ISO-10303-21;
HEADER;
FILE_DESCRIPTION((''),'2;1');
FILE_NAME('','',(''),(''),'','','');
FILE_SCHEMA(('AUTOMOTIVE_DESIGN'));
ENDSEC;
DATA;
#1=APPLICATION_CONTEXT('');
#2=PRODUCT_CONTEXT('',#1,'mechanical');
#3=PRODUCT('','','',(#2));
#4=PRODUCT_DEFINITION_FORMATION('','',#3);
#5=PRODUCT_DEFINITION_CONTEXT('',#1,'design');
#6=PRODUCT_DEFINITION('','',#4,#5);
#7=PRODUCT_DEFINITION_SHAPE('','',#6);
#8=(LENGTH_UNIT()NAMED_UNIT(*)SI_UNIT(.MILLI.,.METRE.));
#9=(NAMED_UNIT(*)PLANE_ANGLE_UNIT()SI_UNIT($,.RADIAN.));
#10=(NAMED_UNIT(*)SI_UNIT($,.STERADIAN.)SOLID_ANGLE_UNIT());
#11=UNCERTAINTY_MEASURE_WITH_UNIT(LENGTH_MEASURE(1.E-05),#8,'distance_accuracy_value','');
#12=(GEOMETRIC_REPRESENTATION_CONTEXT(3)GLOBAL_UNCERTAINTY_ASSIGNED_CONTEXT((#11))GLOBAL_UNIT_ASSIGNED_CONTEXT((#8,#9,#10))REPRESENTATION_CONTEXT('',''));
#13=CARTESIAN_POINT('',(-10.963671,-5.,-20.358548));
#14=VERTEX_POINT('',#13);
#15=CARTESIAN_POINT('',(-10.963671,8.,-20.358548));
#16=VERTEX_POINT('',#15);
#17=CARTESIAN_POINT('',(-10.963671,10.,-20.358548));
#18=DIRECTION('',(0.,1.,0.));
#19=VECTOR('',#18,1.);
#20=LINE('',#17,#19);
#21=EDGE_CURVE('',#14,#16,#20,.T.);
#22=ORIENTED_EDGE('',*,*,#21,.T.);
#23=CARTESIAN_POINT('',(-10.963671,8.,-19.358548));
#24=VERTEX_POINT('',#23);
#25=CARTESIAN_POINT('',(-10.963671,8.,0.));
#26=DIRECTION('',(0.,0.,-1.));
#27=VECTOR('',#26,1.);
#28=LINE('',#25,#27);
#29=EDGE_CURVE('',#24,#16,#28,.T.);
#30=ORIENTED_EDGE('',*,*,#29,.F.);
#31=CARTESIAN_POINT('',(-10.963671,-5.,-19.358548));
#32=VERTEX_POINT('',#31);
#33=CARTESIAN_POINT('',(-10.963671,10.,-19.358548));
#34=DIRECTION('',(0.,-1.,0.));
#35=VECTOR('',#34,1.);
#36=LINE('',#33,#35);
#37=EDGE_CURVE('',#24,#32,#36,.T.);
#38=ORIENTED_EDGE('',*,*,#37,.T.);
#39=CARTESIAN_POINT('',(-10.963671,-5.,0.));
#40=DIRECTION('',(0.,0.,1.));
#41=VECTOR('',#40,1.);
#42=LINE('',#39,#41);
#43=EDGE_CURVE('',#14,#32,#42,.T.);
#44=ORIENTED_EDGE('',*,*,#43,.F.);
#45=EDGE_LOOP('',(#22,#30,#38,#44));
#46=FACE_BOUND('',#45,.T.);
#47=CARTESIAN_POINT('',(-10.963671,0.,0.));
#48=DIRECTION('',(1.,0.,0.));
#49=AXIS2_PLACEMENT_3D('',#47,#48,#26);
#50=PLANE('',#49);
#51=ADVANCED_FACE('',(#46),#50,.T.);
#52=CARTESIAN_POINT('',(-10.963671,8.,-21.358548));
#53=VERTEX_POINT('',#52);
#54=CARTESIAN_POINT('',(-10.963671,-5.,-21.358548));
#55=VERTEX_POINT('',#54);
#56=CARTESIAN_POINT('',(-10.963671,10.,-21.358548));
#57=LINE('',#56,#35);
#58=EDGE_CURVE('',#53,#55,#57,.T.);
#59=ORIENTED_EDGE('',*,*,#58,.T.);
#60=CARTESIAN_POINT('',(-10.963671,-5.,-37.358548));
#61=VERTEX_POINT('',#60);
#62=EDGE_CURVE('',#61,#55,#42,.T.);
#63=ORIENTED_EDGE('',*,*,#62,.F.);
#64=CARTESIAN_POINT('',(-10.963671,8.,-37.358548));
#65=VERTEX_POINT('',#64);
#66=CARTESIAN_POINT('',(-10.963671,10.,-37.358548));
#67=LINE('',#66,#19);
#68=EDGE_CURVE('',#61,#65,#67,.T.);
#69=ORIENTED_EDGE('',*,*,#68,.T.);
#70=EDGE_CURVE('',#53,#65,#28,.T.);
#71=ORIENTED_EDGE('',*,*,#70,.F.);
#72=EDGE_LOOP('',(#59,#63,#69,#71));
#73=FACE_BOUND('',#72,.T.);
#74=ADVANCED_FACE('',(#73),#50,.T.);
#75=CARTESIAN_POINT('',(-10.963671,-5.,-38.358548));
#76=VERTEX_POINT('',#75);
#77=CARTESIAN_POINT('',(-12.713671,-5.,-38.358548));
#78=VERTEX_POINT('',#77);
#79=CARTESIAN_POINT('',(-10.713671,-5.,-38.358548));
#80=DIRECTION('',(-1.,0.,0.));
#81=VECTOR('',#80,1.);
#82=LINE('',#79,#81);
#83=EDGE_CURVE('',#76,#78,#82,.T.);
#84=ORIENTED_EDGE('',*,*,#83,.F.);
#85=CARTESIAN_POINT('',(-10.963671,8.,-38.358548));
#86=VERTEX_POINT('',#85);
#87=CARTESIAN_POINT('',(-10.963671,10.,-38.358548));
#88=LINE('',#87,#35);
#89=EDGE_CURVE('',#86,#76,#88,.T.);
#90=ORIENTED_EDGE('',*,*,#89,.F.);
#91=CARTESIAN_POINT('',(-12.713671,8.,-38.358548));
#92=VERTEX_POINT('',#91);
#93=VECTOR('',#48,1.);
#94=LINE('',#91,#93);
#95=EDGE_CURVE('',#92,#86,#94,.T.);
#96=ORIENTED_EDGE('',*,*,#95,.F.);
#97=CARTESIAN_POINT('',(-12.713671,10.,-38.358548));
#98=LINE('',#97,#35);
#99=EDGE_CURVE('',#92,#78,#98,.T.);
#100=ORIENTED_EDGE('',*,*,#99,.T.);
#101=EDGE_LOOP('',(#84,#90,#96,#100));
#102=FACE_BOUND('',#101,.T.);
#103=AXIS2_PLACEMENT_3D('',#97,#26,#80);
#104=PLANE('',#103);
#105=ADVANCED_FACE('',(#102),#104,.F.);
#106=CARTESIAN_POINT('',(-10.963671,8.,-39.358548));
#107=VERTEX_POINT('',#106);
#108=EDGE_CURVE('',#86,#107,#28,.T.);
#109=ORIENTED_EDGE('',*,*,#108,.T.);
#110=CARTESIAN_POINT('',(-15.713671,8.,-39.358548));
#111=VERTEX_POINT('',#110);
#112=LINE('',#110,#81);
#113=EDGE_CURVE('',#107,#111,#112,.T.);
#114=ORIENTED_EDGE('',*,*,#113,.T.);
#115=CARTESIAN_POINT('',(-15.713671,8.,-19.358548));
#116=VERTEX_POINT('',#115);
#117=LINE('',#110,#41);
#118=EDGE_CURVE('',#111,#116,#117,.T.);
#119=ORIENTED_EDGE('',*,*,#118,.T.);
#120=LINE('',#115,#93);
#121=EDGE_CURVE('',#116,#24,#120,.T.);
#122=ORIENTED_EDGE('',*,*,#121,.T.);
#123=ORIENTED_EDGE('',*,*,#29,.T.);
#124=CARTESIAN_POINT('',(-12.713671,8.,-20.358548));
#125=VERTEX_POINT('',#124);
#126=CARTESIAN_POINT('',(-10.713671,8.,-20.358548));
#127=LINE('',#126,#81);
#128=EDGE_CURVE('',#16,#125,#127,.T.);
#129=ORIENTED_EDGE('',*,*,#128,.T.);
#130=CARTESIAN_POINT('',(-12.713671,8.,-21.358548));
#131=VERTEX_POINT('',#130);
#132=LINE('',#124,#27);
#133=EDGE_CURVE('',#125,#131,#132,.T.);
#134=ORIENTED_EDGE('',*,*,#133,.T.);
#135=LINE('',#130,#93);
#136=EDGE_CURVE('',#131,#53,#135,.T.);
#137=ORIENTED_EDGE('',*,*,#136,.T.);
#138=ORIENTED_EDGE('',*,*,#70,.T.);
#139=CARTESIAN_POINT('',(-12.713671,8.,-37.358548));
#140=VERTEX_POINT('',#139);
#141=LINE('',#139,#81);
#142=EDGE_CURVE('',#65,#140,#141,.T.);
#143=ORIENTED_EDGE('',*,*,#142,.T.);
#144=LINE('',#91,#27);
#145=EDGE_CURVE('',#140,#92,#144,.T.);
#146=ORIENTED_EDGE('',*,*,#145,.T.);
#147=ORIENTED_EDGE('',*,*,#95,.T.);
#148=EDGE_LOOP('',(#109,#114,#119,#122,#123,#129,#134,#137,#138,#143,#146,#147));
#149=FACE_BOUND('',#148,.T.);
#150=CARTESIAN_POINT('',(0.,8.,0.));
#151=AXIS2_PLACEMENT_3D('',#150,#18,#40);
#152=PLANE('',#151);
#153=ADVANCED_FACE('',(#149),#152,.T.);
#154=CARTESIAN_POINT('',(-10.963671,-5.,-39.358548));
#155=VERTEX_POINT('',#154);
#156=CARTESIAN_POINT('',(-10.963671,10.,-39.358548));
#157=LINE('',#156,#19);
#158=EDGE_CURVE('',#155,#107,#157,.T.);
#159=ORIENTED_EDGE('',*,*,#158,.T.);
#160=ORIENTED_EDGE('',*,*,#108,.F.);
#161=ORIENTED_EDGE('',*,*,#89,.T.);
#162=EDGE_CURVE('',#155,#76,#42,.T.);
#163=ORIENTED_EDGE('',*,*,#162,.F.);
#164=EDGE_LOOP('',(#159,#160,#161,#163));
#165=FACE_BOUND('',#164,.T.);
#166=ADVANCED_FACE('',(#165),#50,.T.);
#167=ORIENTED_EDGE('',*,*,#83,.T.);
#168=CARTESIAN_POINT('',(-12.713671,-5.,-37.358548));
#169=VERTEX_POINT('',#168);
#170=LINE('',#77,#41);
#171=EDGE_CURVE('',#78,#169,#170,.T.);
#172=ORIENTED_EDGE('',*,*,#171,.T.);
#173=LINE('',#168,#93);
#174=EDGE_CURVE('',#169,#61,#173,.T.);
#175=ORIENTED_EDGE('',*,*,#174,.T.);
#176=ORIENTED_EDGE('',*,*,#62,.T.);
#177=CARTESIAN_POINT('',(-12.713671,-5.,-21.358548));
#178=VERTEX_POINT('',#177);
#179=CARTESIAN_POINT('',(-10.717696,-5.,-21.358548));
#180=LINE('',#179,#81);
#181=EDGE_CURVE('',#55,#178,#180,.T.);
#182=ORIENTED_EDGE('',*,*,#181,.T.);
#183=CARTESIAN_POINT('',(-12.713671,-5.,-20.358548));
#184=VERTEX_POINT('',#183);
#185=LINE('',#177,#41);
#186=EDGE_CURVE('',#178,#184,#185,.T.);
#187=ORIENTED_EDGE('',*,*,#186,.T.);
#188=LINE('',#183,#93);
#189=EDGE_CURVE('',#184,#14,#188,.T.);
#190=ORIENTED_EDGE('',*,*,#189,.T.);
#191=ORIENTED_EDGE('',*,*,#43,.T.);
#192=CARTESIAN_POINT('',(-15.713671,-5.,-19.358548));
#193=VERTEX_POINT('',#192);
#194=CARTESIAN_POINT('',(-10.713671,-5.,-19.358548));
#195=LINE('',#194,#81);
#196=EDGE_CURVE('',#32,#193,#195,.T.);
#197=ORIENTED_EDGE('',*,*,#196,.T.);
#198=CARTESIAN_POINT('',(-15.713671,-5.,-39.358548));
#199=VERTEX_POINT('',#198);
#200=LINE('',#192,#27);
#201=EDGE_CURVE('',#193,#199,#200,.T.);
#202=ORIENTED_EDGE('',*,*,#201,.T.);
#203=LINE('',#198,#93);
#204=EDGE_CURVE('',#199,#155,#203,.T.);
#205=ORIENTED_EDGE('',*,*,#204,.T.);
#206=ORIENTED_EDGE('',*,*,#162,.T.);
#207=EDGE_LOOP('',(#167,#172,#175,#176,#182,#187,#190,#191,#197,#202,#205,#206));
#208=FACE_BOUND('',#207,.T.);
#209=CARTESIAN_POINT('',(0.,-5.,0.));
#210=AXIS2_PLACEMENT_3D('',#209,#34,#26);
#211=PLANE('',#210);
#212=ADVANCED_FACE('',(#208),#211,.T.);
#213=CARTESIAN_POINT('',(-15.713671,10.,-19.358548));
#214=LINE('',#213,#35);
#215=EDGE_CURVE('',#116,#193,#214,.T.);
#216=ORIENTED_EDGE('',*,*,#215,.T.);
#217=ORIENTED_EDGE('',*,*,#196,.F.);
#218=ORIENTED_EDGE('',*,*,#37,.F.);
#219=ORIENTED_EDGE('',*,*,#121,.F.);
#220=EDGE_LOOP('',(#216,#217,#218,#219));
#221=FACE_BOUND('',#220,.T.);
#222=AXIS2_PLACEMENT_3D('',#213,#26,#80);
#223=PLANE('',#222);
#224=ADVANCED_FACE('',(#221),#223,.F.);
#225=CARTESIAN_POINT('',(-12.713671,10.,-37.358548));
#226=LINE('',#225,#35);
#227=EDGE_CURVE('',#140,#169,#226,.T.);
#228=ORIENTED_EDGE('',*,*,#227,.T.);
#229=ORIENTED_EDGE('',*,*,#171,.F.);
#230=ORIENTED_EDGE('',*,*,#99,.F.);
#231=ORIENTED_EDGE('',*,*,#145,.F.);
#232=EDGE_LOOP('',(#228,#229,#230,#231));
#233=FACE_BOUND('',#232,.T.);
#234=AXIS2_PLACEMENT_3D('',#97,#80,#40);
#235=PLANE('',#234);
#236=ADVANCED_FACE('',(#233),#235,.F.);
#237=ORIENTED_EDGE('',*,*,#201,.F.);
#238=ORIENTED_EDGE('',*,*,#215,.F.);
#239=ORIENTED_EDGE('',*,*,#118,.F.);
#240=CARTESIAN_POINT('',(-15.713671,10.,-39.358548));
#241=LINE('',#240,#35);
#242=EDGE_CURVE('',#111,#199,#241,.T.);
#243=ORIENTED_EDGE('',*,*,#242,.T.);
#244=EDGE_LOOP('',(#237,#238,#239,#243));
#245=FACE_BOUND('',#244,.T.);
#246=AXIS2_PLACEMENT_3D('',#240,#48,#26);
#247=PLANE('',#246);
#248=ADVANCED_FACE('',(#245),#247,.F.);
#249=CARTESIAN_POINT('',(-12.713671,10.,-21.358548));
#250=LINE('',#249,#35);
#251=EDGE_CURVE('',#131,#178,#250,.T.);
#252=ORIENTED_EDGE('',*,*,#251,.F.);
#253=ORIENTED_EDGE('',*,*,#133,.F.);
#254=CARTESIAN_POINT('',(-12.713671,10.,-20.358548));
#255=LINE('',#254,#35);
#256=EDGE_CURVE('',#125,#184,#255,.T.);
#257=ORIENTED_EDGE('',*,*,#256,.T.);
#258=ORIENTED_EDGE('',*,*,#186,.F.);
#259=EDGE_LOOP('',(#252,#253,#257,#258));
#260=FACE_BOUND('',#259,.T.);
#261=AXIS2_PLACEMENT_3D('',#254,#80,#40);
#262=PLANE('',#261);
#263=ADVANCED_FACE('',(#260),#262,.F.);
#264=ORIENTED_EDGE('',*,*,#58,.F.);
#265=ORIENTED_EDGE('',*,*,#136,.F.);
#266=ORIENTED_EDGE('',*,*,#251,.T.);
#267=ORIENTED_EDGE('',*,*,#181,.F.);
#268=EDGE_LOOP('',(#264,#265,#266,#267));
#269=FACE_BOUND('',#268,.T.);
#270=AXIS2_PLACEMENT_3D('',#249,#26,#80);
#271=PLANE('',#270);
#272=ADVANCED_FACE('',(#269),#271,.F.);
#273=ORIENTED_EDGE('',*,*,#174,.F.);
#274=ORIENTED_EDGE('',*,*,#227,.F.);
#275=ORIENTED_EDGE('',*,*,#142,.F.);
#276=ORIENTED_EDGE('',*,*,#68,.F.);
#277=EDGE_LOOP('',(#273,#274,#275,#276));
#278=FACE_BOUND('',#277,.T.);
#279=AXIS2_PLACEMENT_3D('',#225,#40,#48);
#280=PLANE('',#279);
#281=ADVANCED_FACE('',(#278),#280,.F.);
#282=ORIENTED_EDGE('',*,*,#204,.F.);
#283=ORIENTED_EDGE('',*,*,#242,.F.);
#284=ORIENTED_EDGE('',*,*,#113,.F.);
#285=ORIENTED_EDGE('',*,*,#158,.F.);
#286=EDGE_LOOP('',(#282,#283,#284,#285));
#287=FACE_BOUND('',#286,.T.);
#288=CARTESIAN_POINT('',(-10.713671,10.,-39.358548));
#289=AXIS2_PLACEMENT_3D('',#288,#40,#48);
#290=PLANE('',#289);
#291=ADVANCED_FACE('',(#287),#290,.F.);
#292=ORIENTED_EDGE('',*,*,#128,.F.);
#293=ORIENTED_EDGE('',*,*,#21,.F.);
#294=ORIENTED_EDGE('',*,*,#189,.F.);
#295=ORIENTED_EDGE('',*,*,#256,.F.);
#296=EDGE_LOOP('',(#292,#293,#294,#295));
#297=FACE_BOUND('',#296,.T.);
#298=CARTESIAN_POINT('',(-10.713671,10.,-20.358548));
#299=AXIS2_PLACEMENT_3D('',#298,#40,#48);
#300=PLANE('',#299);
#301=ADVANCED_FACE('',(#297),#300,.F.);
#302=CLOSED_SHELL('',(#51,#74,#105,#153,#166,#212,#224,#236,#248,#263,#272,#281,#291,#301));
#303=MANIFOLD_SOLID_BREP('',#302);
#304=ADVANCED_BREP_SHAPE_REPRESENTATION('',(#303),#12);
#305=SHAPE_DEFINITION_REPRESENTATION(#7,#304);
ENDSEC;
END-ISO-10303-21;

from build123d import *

# Parameters (mm, degrees)
SALIENTE_EXTRUIR3_DEPTH = 10
CROQUIS4_W              = 20
CROQUIS4_H              = 5
SALIENTE_EXTRUIR4_DEPTH = 10
CROQUIS5_W              = 5
CROQUIS5_H              = 5
SALIENTE_EXTRUIR5_DEPTH = 20
CORTAR_EXTRUIR1_DEPTH   = 2
CROQUIS8_W              = 20
CROQUIS8_H              = 5
CORTAR_EXTRUIR2_DEPTH   = 2
CROQUIS9_W              = 5
CROQUIS9_H              = 20
CORTAR_EXTRUIR3_DEPTH   = 2
CROQUIS10_W             = 20
CROQUIS10_H             = 5
CORTAR_EXTRUIR5_DEPTH   = 35
SALIENTE_EXTRUIR6_DEPTH = 5
CROQUIS12_W             = 26.103344273
CROQUIS12_H             = 18.453448341
CORTAR_EXTRUIR6_DEPTH   = 0.25


with BuildPart() as part:
    # Croquis1 → Saliente-Extruir3 (new body)
    with BuildSketch(Plane(origin=(0, 0, 0), x_dir=(1, 0, 0), z_dir=(0, 1, 0))):
        Polygon((-12.713671106, 38.358548308), (-10.713671106, 38.358548308), (-10.713671106, 39.358548308), (-15.713671106, 39.358548308), (-15.713671106, 19.358548308), (-10.713671106, 19.358548308), (-10.713671106, 20.358548308), (-12.713671106, 20.358548308), (-12.713671106, 21.358548308), (-10.718625385, 21.358548308), (-10.718625385, 37.358548308), (-12.713671106, 37.358548308), align=None)
    extrude(amount=SALIENTE_EXTRUIR3_DEPTH)



with BuildPart() as body_2:
    # Croquis4 → Saliente-Extruir4 (new body)
    with BuildSketch(Plane(origin=(-10.713671106, 0, 0), x_dir=(0, 0, -1), z_dir=(1, 0, 0))):
        with Locations((29.358548308, -2.5)):
            Rectangle(CROQUIS4_W, CROQUIS4_H)
    extrude(amount=SALIENTE_EXTRUIR4_DEPTH)


with BuildPart() as part_1:
    add(part.part)

    add(body_2.part)  # Saliente-Extruir5 merges body 2
    # Croquis5 → Saliente-Extruir5 (add)
    with BuildSketch(Plane.XY.offset(-19.358548308)):
        with Locations((-13.213671106, -2.5)):
            Rectangle(CROQUIS5_W, CROQUIS5_H)
    extrude(amount=-SALIENTE_EXTRUIR5_DEPTH)

    # Croquis7 → Cortar-Extruir1 (cut)
    with BuildSketch(Plane(origin=(0, 0, 0), x_dir=(1, 0, 0), z_dir=(0, 1, 0))):
        Polygon((-10.714909676, 37.358548308), (-0.713671106, 37.358548308), (-0.713671106, 38.358548308), (-10.713671106, 38.358548308), (-12.713671106, 38.358548308), (-12.713671106, 37.358548308), align=None)
        Polygon((-10.713671106, 20.358548308), (-0.713671106, 20.358548308), (-0.713671106, 21.358548308), (-10.714909676, 21.358548308), (-12.713671106, 21.358548308), (-12.713671106, 20.358548308), align=None)
    extrude(amount=-CORTAR_EXTRUIR1_DEPTH, mode=Mode.SUBTRACT)

    # Croquis8 → Cortar-Extruir2 (cut)
    with BuildSketch(Plane(origin=(-0.713671106, 0, 0), x_dir=(0, 0, -1), z_dir=(1, 0, 0))):
        with Locations((29.358548308, -2.5)):
            Rectangle(CROQUIS8_W, CROQUIS8_H)
    extrude(amount=-CORTAR_EXTRUIR2_DEPTH, mode=Mode.SUBTRACT)

    # Croquis9 → Cortar-Extruir3 (cut)
    with BuildSketch(Plane(origin=(0, 10, 0), x_dir=(1, 0, 0), z_dir=(0, 1, 0))):
        with Locations((-13.213671106, 29.358548308)):
            Rectangle(CROQUIS9_W, CROQUIS9_H)
    extrude(amount=-CORTAR_EXTRUIR3_DEPTH, mode=Mode.SUBTRACT)

    # Croquis10 → Cortar-Extruir5 (cut)
    with BuildSketch(Plane(origin=(-2.713671106, 0, 0), x_dir=(0, 0, -1), z_dir=(1, 0, 0))):
        with Locations((29.358548308, -2.5)):
            Rectangle(CROQUIS10_W, CROQUIS10_H)
    extrude(amount=-CORTAR_EXTRUIR5_DEPTH, mode=Mode.SUBTRACT)

    # Croquis11 → Saliente-Extruir6 (add)
    with BuildSketch(Plane.XZ):
        Polygon((-10.713671106, -20.358548308), (-10.713671106, -19.358548308), (-15.713671106, -19.358548308), (-15.713671106, -39.358548308), (-10.713671106, -39.358548308), (-10.713671106, -38.358548308), (-12.713671106, -38.358548308), (-12.713671106, -37.358548308), (-10.716767531, -37.358548308), (-10.717696458, -21.358548308), (-12.713671106, -21.358548308), (-12.713671106, -20.358548308), align=None)
    extrude(amount=SALIENTE_EXTRUIR6_DEPTH)

    # Croquis12 → Cortar-Extruir6 (cut)
    with BuildSketch(Plane(origin=(-10.713671106, 0, 0), x_dir=(0, 0, -1), z_dir=(1, 0, 0))):
        with Locations((28.040672231, 2.092138624)):
            Rectangle(CROQUIS12_W, CROQUIS12_H)
    extrude(amount=-CORTAR_EXTRUIR6_DEPTH, mode=Mode.SUBTRACT)


solid = part_1.part
